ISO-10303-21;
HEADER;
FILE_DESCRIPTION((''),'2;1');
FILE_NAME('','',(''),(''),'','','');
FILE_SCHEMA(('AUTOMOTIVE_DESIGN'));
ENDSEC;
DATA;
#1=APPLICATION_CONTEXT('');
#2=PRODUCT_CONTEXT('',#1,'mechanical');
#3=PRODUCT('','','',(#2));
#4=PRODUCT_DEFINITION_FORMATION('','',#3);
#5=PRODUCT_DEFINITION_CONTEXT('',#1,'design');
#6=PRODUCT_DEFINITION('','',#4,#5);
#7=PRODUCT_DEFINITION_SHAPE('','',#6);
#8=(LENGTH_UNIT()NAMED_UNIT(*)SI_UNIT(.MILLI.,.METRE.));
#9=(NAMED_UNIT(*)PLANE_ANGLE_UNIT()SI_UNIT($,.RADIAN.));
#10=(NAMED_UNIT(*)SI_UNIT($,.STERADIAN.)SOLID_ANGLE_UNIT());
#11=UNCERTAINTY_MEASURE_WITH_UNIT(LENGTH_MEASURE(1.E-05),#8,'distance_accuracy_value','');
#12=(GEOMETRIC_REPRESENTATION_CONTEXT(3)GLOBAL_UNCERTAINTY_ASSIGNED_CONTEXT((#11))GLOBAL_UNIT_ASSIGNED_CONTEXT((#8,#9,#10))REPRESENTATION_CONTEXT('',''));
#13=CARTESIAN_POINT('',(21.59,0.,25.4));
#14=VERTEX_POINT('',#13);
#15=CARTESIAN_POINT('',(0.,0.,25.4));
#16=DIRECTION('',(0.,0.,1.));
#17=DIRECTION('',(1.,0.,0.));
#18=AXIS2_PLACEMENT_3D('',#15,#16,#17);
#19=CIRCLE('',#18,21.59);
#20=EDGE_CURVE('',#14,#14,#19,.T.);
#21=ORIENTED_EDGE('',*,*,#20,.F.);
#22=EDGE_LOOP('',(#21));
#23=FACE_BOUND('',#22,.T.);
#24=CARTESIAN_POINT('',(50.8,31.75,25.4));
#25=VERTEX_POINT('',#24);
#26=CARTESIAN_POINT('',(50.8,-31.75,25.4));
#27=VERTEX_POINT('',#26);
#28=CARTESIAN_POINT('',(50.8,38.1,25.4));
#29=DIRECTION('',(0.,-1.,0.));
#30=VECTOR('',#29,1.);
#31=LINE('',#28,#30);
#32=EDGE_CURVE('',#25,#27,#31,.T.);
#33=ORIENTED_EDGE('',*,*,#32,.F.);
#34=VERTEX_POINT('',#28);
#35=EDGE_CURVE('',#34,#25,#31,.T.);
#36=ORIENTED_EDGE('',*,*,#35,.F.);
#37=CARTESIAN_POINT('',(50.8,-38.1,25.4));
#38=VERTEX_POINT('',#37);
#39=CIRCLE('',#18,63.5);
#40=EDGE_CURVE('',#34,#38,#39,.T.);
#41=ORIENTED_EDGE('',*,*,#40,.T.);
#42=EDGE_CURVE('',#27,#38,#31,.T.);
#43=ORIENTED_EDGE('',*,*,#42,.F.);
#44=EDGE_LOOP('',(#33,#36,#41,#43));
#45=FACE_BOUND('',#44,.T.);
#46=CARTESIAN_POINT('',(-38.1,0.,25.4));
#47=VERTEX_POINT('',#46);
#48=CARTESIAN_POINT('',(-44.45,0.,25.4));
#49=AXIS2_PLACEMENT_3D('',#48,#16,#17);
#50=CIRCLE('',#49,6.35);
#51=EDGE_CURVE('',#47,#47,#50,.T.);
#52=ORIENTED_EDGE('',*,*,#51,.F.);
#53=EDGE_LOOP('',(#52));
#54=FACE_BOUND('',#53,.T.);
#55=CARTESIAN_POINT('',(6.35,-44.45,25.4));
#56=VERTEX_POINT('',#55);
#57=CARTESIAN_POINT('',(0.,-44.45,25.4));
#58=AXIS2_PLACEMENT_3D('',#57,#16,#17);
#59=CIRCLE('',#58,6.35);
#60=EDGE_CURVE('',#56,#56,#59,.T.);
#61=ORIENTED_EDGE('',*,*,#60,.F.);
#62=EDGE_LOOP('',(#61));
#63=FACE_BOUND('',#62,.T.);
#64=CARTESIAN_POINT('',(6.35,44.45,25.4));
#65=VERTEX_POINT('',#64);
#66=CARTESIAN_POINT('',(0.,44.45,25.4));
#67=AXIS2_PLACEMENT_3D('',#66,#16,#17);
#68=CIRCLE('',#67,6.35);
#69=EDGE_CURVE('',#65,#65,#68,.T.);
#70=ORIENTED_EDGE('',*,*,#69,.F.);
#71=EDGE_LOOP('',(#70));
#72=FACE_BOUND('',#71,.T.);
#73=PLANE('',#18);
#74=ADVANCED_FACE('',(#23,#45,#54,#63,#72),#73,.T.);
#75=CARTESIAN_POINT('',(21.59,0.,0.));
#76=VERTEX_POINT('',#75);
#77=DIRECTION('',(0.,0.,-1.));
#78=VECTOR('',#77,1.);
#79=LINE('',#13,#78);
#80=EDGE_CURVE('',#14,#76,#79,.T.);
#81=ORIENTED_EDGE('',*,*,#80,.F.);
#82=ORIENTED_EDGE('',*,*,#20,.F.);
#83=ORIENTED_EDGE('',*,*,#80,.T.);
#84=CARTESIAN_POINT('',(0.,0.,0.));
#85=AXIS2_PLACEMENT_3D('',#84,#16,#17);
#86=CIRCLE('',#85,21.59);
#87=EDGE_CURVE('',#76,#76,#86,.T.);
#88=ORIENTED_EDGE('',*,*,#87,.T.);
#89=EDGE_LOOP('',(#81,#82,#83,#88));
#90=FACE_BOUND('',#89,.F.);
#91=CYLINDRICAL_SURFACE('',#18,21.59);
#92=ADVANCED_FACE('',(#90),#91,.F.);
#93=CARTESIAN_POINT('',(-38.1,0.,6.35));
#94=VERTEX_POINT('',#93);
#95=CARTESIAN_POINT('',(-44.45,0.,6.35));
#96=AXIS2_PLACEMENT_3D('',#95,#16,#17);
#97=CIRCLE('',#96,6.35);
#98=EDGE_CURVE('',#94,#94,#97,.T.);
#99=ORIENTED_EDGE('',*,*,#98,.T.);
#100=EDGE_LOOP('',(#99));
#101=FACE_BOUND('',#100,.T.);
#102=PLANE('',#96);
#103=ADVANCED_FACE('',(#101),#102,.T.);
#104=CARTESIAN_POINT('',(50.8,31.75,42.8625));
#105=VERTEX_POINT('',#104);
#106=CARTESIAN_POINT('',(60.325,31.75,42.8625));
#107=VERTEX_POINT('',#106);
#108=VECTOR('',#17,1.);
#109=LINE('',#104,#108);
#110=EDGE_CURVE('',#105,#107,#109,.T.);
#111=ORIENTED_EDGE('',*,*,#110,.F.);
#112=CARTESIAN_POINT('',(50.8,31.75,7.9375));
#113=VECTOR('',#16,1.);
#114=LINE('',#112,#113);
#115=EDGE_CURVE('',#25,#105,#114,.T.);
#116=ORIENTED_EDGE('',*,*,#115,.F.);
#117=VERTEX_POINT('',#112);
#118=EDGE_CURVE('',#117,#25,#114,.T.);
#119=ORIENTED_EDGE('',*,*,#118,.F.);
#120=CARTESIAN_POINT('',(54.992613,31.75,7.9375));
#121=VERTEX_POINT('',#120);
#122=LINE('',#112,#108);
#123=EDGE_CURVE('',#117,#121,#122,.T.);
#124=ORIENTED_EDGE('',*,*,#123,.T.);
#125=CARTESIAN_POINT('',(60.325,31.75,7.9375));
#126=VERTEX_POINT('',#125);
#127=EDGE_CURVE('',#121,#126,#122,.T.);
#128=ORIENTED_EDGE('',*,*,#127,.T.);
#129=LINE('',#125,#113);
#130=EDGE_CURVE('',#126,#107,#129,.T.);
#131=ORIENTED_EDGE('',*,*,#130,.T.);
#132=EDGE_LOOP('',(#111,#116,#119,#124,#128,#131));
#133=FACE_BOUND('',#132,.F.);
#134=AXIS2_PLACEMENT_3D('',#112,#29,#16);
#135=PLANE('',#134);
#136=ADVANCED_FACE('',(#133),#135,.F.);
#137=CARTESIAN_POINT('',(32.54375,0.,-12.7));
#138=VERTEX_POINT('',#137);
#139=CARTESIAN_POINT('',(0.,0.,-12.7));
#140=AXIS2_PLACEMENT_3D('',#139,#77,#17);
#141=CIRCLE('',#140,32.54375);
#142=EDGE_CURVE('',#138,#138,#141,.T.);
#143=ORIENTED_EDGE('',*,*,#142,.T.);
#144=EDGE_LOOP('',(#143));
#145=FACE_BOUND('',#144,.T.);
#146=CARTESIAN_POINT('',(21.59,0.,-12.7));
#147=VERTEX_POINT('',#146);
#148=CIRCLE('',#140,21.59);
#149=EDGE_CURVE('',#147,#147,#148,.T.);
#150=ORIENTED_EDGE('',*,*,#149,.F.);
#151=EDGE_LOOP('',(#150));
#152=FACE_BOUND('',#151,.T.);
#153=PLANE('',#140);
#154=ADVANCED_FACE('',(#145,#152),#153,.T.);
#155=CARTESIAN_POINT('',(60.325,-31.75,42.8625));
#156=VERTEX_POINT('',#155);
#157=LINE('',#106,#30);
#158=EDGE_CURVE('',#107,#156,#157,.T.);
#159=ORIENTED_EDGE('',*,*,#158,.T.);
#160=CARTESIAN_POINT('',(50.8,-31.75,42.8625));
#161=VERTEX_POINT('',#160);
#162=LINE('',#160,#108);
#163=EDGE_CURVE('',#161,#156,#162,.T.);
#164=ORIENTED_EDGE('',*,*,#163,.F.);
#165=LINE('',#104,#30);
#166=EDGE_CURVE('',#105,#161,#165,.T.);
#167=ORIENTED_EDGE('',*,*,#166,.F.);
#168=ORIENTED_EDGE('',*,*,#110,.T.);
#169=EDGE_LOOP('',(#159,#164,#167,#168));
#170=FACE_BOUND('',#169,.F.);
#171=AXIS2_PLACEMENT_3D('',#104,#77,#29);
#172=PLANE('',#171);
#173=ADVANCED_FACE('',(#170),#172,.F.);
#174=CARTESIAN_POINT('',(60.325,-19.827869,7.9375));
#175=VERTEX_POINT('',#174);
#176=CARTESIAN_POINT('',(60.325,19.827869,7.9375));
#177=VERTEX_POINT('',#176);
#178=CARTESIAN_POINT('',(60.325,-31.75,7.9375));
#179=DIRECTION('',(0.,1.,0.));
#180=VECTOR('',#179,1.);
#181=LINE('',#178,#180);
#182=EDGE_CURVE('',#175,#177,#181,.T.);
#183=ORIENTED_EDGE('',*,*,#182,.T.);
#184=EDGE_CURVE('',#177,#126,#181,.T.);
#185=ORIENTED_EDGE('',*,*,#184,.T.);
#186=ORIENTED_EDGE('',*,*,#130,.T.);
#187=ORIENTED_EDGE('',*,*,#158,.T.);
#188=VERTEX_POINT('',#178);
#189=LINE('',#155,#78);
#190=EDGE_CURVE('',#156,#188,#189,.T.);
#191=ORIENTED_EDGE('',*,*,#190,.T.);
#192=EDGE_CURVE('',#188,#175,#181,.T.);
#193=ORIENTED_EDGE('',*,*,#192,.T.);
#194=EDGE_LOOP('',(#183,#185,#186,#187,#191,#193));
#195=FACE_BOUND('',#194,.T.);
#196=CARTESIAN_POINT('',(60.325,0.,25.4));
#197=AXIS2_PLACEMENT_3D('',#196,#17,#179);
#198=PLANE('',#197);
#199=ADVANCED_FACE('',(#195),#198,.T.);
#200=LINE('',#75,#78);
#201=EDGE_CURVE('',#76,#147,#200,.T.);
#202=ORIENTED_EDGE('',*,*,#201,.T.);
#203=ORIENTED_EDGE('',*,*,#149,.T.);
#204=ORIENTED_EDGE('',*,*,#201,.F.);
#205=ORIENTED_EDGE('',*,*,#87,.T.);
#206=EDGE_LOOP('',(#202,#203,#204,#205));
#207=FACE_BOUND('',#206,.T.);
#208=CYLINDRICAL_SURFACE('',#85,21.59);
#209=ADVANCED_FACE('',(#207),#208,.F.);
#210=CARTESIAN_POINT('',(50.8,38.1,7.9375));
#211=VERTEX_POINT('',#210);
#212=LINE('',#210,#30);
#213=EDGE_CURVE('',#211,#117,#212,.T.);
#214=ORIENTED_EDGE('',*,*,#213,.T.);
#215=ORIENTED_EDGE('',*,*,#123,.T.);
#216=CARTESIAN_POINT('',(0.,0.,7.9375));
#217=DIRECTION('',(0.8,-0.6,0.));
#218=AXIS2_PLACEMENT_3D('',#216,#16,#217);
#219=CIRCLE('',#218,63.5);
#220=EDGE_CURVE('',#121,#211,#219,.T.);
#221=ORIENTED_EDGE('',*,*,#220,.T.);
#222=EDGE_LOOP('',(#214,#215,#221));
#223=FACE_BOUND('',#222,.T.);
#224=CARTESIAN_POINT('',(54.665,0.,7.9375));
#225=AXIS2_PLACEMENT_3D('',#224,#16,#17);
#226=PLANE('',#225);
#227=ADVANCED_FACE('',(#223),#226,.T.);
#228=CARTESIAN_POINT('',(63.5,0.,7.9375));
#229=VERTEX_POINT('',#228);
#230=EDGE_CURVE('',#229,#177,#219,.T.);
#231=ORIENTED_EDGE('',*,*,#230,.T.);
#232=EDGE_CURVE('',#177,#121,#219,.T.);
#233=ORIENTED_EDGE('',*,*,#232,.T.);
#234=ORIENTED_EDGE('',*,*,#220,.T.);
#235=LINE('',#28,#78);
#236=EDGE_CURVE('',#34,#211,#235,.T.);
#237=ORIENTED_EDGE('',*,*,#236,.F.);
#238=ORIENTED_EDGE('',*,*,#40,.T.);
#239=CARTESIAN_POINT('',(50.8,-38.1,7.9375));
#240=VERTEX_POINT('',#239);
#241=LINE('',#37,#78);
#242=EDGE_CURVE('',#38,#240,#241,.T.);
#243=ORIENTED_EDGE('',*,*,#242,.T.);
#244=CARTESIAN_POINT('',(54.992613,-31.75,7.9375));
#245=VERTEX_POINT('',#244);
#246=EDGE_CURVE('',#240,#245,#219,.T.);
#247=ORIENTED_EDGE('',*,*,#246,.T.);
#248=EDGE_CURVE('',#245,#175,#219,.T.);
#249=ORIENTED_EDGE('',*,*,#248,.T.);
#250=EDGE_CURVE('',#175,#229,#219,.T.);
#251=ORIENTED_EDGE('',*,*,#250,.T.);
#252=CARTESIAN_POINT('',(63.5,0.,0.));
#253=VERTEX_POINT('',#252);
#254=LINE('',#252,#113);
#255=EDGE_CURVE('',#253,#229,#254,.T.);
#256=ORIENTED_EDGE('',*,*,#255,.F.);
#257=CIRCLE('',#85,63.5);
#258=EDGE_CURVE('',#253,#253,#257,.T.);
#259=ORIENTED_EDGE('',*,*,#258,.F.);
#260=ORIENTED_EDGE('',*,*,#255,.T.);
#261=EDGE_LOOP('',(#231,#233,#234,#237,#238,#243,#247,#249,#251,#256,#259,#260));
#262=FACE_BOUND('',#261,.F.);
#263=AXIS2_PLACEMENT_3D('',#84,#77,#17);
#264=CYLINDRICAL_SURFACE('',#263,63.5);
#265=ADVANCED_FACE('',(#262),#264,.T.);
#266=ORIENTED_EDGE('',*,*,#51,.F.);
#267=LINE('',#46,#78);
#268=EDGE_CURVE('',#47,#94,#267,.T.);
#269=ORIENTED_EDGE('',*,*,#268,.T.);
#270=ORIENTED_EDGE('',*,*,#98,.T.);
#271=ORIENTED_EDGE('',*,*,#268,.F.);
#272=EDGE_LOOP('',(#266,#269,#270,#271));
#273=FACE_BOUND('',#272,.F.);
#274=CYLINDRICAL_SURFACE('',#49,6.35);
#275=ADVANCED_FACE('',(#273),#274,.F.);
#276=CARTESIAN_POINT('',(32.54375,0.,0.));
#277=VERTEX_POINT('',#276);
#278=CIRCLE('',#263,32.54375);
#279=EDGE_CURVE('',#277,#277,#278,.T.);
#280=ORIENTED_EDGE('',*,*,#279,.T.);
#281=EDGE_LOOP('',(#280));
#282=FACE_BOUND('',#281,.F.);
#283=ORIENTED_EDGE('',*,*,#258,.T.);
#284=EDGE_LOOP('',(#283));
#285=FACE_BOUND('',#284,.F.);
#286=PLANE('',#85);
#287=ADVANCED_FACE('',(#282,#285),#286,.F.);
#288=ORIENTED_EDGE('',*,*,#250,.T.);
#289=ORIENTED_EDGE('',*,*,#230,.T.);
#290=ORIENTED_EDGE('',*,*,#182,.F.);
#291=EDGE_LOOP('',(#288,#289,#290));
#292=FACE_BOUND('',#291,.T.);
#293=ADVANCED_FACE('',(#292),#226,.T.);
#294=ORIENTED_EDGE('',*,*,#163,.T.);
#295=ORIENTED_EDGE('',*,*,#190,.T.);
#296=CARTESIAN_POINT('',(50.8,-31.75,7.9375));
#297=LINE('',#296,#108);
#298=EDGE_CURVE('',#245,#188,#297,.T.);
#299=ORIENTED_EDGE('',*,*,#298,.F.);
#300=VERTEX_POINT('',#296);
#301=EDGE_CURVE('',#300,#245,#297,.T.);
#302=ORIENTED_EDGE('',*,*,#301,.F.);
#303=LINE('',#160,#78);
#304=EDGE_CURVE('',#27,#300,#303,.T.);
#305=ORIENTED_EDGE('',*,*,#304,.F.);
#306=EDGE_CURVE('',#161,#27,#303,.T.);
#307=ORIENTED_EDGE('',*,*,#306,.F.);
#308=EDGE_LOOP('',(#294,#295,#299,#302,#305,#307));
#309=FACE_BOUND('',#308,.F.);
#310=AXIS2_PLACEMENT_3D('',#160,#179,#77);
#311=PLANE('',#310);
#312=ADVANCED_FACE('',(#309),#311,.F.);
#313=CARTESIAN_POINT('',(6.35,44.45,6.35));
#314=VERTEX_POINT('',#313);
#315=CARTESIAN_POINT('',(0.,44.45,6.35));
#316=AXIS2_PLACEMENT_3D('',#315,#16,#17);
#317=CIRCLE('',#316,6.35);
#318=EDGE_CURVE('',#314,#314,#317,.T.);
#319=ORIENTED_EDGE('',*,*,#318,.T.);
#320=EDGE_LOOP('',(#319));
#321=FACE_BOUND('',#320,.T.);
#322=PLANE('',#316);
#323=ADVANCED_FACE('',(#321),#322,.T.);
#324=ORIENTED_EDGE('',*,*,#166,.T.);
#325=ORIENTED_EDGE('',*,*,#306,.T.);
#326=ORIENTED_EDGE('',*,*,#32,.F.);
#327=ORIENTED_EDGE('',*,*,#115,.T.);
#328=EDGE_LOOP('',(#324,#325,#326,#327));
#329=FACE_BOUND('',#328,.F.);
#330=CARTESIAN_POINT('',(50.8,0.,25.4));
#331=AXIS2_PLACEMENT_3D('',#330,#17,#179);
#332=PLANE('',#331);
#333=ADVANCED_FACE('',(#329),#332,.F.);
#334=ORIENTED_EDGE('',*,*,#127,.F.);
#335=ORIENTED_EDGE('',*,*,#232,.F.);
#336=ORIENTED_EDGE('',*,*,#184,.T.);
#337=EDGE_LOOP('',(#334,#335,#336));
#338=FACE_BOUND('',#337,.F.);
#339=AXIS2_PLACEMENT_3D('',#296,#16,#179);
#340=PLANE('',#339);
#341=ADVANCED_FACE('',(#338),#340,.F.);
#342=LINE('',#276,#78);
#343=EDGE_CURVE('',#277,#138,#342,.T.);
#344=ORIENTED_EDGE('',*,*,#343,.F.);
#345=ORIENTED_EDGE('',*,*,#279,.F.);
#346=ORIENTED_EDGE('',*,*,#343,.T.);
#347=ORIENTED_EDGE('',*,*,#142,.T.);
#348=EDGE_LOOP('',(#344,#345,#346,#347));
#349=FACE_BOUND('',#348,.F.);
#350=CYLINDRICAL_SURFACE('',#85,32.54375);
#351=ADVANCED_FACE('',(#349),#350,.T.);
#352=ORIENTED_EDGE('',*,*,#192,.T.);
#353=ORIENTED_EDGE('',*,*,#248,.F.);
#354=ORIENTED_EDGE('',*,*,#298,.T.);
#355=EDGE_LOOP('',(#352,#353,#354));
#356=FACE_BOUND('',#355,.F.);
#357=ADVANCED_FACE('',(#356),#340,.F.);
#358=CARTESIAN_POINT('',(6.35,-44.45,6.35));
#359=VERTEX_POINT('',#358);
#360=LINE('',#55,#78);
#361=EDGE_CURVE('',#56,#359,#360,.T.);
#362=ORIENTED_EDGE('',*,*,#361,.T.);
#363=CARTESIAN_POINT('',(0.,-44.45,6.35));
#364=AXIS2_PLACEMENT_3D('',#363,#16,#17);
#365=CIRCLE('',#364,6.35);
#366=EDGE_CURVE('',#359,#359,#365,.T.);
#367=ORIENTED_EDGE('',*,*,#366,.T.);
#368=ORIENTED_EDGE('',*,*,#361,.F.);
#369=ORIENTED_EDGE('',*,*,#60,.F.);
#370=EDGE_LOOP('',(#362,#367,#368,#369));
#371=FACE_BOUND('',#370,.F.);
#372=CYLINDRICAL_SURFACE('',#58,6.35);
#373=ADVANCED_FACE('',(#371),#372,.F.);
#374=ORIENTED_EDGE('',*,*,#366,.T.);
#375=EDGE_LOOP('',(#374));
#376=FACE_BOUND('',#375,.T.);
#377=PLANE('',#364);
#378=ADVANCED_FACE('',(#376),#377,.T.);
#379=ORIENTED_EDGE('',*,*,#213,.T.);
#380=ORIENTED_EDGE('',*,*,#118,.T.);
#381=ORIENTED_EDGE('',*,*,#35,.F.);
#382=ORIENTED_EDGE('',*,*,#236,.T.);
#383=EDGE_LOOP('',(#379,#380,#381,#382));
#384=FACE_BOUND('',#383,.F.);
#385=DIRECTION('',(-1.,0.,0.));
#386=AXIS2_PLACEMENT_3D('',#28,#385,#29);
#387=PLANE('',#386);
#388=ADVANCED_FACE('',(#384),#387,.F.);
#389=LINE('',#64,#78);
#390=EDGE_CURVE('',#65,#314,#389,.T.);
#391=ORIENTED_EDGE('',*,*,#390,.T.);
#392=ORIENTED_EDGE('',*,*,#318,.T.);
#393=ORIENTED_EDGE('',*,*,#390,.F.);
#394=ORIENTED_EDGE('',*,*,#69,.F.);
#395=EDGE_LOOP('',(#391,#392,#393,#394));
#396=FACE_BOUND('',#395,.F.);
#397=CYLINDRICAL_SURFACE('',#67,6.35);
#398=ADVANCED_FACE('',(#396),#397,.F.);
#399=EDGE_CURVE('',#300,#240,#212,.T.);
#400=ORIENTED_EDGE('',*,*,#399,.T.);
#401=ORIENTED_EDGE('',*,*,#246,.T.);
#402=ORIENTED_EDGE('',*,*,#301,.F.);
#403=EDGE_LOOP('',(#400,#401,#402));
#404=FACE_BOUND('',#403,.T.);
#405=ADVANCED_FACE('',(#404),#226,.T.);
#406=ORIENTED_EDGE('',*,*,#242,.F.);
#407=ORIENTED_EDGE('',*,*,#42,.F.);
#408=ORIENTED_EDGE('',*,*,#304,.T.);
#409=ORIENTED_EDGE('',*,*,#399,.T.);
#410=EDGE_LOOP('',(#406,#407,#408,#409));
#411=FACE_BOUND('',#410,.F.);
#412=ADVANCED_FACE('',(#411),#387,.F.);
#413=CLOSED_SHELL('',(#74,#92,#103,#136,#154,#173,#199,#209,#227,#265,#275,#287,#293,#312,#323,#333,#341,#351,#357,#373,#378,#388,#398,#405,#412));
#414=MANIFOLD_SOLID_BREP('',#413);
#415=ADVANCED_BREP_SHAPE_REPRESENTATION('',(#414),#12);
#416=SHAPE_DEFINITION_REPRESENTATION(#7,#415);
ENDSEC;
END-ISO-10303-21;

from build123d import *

# Parameters (mm, degrees)
F0_R      = 63.5
F1_DEPTH  = 25.4
F3_DEPTH  = 17.4625
F4_R      = 6.35
F5_DEPTH  = 19.05
F6_R      = 21.59
F7_DEPTH  = 25.4
F8_R      = 32.54375
F8_R_2    = 21.59
F9_DEPTH  = 12.7
F11_DEPTH = 9.525


with BuildPart() as f1:
    # F0 (on Top) → F1 (new body)
    with BuildSketch(Plane.XY):
        Circle(F0_R)
    extrude(amount=F1_DEPTH)

    # F2 (on face) → F3 (cut)
    with BuildSketch(Plane.XY.offset(25.4)):
        with BuildLine():
            ThreePointArc((50.8, -38.1), (63.5, 0), (50.8, 38.1))
            Line((50.8, 38.1), (50.8, -38.1))
        make_face()
    extrude(amount=-F3_DEPTH, mode=Mode.SUBTRACT)

    # F4 (on face) → F5 (cut)
    with BuildSketch(Plane.XY.offset(25.4)):
        with Locations((0, 44.45)):
            Circle(F4_R)
        with Locations((-44.45, 0)):
            Circle(F4_R)
        with Locations((0, -44.45)):
            Circle(F4_R)
    extrude(amount=-F5_DEPTH, mode=Mode.SUBTRACT)

    # F6 (on face) → F7 (cut, through all)
    with BuildSketch(Plane.XY.offset(25.4)):
        Circle(F6_R)
    extrude(amount=-F7_DEPTH, mode=Mode.SUBTRACT)

    # F8 (on face) → F9 (join)
    with BuildSketch(Plane(origin=(0, 0, 0), x_dir=(1, 0, 0), z_dir=(0, 0, -1))):
        Circle(F8_R)
        Circle(F8_R_2, mode=Mode.SUBTRACT)
    extrude(amount=F9_DEPTH)

    # F10 (on face) → F11 (join)
    with BuildSketch(Plane.YZ.offset(50.8)):
        Polygon((-31.75, 7.9375), (0, 7.9375), (31.75, 7.9375), (31.75, 42.8625), (0, 42.8625), (-31.75, 42.8625), align=None)
    extrude(amount=F11_DEPTH)


solid = f1.part
